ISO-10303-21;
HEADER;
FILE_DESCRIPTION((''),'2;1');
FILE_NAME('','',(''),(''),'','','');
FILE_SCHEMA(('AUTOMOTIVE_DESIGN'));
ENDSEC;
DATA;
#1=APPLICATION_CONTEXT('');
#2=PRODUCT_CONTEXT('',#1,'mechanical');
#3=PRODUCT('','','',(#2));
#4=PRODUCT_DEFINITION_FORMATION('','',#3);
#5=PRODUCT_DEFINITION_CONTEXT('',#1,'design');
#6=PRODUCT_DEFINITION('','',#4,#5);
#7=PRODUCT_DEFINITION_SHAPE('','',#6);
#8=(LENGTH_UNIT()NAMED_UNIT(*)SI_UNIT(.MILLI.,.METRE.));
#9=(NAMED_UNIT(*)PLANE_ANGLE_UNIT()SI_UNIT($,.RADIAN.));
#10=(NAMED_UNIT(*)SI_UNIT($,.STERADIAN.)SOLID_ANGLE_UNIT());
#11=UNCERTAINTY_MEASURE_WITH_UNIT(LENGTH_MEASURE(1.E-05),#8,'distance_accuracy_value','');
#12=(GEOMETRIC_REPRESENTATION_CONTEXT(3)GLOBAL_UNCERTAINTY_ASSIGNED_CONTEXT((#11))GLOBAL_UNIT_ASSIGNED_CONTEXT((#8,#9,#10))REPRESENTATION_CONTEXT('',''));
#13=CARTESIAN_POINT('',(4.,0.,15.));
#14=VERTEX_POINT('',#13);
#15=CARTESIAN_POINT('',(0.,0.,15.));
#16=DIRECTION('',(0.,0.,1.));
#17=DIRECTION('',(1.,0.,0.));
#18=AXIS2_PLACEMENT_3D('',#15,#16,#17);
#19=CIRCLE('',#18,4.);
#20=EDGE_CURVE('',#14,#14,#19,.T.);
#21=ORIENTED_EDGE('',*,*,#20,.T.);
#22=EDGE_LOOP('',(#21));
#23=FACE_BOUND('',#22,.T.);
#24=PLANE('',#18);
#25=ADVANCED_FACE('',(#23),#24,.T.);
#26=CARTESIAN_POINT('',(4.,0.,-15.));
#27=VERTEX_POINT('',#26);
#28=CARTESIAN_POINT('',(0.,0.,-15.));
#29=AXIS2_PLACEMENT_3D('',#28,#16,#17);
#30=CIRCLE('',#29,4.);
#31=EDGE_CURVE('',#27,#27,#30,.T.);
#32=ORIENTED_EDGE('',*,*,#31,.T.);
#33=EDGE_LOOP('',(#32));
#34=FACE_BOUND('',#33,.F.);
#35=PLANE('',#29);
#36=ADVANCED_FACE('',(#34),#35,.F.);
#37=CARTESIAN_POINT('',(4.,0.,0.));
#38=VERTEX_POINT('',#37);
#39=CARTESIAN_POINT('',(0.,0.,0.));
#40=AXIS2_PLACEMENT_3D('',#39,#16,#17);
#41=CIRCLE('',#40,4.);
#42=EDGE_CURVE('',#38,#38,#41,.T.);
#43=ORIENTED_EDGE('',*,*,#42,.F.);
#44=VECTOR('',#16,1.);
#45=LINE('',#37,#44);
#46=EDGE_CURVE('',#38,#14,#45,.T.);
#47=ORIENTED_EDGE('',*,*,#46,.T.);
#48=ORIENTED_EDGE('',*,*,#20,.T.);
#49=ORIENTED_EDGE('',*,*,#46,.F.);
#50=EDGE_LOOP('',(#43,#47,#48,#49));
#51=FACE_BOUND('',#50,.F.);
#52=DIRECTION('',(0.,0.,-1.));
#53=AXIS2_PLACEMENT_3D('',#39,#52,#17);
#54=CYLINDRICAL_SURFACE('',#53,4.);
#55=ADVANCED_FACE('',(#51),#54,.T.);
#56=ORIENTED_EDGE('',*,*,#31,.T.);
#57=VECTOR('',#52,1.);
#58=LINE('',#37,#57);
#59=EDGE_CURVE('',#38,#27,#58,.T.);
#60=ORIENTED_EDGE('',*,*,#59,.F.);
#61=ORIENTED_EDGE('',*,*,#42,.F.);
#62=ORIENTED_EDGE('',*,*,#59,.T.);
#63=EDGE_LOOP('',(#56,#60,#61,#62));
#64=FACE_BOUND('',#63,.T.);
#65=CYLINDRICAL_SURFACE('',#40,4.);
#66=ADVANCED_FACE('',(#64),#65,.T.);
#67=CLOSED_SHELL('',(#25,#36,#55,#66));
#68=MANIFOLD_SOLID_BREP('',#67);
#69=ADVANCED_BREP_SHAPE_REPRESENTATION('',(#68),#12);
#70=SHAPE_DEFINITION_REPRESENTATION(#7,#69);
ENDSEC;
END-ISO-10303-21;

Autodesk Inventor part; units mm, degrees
ref_plane "YZ Plane" through (0, 0, 0) normal (1, 0, 0) x (0, 1, 0)
ref_plane "XZ Plane" through (0, 0, 0) normal (0, 1, 0) x (-1, 0, 0)
ref_plane "XY Plane" through (0, 0, 0) normal (0, 0, 1) x (1, 0, 0)
sketch "Sketch1" plane through (0, 0, 0) normal (0, 0, 1) x (1, 0, 0)
  circle A0 centre (0, 0) radius 4
  dimension "d0" = 8
extrude "Extrusion1" add sketch "Sketch1" along normal mid plane 30
properties part number "Screw"
